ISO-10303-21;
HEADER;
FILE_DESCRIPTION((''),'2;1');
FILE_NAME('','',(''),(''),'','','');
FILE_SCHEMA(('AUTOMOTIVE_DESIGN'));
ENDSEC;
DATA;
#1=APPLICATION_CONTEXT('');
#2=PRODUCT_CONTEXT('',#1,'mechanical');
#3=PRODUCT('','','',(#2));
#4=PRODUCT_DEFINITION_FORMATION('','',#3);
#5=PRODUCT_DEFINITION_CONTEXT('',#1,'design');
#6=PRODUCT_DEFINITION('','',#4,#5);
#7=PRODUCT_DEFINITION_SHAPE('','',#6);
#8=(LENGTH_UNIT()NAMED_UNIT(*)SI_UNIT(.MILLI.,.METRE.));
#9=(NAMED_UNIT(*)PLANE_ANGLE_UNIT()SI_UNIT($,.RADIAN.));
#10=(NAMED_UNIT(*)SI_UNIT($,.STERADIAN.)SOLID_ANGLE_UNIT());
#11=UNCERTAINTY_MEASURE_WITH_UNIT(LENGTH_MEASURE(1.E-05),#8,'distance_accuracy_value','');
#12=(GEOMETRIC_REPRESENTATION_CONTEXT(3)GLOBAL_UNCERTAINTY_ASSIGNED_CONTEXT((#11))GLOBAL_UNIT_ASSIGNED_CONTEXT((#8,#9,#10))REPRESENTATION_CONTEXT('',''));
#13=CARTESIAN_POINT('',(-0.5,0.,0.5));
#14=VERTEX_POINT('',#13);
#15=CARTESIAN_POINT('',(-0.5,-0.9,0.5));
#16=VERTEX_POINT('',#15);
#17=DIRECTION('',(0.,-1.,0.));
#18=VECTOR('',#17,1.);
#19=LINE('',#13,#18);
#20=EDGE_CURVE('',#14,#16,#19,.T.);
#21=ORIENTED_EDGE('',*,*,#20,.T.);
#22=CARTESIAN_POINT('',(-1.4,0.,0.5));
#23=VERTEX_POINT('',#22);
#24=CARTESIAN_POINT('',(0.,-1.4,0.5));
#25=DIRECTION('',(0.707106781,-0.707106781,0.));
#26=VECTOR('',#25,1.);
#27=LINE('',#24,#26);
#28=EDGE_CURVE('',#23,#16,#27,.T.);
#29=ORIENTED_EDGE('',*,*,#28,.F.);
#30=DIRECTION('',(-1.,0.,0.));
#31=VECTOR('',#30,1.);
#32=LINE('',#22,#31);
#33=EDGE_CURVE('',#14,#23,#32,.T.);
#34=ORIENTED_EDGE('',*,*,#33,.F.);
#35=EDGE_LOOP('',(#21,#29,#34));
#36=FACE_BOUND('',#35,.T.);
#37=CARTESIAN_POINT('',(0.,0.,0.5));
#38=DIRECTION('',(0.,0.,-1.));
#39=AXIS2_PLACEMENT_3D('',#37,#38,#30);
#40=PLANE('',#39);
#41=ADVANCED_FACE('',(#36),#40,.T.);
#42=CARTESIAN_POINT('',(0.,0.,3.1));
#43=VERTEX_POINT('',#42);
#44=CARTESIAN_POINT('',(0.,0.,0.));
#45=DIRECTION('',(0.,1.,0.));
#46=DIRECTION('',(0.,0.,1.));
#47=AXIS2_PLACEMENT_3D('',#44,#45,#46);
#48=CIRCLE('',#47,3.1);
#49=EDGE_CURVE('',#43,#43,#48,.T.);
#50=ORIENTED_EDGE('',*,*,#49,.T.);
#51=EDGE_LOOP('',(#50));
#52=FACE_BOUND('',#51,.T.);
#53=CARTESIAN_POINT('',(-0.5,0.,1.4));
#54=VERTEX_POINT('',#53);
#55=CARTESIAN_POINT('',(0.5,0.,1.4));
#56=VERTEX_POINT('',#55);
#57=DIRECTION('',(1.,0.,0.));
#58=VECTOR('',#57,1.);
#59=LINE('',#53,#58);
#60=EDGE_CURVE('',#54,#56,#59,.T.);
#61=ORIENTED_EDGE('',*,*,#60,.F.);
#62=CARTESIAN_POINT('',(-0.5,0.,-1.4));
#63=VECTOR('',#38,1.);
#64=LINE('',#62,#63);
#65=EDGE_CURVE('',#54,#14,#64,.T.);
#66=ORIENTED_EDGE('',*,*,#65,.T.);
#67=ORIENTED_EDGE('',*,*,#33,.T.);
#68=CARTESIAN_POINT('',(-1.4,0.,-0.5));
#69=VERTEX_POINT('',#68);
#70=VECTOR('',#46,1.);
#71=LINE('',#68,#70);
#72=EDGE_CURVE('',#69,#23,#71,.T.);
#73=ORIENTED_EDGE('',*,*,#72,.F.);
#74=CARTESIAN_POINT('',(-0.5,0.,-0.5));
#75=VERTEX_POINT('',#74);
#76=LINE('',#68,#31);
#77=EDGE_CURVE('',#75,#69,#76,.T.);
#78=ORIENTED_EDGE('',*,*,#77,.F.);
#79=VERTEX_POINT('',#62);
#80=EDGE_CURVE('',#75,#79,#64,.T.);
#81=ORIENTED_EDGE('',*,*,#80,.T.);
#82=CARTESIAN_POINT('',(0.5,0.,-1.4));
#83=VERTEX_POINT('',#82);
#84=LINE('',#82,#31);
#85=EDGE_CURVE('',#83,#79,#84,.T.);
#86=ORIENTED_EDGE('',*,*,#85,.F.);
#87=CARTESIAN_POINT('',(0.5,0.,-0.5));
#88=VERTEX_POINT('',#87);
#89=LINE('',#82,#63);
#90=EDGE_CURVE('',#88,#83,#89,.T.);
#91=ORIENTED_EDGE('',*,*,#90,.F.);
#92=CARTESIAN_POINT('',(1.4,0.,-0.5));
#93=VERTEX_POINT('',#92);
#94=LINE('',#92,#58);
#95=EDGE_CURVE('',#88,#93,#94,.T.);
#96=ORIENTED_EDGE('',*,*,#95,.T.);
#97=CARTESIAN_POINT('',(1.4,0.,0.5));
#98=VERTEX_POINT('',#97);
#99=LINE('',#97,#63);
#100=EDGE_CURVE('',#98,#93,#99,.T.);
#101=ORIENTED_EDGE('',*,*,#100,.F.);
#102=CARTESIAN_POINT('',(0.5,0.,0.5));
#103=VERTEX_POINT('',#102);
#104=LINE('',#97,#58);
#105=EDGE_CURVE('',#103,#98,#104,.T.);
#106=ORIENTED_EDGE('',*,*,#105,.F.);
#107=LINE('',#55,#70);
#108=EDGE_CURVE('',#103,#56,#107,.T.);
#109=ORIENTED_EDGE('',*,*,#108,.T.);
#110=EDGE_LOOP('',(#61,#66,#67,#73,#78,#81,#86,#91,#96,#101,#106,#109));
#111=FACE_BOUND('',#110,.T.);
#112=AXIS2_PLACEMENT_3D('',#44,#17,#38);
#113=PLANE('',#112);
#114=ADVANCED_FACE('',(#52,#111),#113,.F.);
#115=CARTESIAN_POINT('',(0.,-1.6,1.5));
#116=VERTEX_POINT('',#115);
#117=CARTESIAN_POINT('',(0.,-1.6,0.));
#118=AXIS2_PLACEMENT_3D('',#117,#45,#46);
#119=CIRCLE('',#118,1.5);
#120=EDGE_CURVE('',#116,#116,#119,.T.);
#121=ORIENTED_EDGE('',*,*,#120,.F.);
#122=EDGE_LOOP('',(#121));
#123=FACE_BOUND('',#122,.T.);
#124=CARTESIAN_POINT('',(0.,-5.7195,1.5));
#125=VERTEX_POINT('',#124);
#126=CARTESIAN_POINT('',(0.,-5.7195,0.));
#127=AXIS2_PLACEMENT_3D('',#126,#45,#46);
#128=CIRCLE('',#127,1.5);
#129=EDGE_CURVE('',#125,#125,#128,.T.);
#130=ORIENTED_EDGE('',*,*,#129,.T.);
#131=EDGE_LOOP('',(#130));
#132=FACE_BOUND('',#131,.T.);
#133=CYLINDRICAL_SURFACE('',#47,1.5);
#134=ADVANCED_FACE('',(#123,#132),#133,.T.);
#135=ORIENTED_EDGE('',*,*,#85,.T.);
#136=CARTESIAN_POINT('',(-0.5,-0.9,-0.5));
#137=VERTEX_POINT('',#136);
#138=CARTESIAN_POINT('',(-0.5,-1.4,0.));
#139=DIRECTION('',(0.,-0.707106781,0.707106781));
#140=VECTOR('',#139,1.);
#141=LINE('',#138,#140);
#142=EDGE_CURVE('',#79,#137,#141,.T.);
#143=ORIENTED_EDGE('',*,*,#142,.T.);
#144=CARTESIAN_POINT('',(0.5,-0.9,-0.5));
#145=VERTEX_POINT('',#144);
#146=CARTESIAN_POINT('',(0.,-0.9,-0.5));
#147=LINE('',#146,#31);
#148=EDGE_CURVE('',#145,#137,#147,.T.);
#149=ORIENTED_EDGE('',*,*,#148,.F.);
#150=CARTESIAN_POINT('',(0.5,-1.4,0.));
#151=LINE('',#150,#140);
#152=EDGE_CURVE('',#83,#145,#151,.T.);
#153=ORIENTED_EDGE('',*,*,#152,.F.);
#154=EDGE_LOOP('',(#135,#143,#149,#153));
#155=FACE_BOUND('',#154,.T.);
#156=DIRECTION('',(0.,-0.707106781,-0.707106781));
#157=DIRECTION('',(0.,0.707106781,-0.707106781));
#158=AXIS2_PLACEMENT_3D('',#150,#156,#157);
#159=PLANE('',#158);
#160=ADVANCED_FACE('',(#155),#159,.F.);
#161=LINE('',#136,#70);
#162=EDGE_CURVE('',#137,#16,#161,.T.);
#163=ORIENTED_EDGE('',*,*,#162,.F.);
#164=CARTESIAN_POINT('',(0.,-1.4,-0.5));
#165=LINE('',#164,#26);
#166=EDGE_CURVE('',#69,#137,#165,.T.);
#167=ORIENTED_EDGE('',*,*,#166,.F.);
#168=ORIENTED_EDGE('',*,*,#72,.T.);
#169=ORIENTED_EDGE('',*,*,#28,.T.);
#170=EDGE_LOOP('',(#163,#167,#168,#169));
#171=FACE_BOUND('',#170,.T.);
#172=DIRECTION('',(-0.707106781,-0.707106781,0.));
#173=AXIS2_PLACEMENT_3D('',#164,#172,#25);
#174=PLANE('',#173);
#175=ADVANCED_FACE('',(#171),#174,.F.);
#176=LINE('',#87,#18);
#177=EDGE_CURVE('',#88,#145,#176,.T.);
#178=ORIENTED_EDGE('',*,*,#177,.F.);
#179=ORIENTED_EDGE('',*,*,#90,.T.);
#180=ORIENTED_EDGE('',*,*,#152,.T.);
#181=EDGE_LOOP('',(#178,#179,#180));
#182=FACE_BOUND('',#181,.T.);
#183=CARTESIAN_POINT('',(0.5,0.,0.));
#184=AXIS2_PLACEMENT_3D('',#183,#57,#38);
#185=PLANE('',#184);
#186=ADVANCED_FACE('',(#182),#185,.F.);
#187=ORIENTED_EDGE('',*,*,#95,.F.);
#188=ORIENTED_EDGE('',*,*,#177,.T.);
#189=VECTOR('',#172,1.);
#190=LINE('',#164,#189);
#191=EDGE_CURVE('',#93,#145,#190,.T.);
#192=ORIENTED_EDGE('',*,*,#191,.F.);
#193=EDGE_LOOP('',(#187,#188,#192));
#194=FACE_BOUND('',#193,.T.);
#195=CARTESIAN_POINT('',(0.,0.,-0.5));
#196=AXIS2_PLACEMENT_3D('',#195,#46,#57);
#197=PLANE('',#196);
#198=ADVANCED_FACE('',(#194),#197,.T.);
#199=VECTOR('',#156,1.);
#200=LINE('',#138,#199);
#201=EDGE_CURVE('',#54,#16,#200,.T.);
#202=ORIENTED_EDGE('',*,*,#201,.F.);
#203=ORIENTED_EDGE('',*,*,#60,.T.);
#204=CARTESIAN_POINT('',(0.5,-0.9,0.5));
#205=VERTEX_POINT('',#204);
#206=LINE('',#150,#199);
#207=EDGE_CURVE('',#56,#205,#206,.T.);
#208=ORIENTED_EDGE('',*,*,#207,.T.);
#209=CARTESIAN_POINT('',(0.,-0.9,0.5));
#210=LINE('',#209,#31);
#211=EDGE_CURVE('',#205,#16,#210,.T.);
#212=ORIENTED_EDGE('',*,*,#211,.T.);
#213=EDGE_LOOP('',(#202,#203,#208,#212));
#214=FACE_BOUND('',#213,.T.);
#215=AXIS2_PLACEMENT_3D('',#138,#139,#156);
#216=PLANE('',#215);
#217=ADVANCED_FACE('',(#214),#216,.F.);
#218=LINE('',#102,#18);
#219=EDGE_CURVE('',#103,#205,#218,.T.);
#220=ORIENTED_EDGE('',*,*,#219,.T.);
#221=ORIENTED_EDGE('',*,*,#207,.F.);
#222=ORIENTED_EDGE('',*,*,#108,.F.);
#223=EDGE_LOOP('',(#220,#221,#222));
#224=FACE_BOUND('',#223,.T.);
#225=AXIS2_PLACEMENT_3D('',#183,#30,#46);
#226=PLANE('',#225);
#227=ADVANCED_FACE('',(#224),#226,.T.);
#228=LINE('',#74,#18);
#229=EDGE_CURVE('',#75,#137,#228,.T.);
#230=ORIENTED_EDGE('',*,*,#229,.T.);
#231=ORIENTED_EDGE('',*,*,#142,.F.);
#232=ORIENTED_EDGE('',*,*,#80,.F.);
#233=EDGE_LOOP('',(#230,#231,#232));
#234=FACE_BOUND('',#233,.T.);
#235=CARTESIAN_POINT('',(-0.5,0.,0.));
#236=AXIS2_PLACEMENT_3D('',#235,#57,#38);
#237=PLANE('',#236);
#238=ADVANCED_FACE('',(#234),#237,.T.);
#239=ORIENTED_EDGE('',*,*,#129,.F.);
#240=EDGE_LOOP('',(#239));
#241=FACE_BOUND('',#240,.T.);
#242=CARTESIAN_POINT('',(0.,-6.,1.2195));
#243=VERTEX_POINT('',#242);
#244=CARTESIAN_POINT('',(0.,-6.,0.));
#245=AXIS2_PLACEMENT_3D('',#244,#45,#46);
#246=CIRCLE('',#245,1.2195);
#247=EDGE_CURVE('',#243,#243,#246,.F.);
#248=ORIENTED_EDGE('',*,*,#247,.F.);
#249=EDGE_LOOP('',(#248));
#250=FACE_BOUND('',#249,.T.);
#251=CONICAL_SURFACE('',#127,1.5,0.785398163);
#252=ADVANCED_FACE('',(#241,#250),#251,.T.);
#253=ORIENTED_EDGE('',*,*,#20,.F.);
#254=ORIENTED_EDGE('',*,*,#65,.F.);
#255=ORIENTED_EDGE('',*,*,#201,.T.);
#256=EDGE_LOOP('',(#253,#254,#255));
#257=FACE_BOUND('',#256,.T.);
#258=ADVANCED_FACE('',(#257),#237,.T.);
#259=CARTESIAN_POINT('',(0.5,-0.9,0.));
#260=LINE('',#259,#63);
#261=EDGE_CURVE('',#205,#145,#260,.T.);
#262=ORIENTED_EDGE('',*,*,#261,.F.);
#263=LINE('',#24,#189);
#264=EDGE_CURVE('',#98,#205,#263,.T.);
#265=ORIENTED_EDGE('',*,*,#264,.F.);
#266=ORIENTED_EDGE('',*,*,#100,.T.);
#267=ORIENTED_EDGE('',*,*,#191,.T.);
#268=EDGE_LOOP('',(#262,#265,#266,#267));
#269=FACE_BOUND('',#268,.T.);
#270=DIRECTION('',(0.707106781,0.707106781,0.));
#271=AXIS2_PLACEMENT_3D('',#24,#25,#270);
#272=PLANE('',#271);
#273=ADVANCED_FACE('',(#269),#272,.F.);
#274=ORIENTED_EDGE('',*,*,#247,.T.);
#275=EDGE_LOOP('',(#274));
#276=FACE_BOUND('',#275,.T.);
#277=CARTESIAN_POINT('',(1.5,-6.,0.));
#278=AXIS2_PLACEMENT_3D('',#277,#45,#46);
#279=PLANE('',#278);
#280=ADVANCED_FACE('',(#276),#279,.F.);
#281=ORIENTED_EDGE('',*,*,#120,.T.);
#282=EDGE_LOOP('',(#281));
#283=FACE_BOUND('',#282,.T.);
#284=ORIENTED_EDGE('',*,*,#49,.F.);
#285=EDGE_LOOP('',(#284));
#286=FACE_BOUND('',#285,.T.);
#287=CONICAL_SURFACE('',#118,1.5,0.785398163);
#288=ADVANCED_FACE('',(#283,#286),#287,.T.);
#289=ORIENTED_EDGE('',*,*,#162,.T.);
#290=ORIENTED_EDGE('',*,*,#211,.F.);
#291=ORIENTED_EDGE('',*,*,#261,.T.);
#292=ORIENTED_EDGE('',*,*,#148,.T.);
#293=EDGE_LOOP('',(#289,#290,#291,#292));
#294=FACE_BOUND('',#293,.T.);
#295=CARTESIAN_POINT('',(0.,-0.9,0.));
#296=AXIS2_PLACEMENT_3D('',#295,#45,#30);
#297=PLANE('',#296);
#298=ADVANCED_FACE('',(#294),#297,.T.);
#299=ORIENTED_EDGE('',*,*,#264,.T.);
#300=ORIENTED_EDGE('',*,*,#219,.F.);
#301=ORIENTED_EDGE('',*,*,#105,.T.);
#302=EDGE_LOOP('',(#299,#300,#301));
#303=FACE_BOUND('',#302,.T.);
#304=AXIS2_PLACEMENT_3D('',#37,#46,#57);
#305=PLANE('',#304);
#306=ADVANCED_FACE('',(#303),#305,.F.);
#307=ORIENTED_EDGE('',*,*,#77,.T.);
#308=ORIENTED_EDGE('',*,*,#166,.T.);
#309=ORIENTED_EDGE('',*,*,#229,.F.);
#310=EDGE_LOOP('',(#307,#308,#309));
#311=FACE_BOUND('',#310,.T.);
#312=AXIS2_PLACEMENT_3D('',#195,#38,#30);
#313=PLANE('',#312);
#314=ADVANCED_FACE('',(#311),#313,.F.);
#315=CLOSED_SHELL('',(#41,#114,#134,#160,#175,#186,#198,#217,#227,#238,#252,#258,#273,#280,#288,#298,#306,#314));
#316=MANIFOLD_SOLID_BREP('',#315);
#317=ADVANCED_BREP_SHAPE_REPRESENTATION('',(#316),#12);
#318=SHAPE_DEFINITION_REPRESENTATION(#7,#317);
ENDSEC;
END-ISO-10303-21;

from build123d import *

# Parameters (mm, degrees)
CHAMFER_1_SIZE           = 0.2805
CUT_EXTRUDE_1_DEPTH      = 0.5
PATTERN_CIRCULAR_1_COUNT = 4
SKETCH_3_W               = 1
SKETCH_3_H               = 1
EXTRUDE_1_DEPTH          = 2


with BuildPart() as part:
    # Sketch 1 → Revolve 1 (revolve)
    with BuildSketch(Plane.XY):
        Polygon((0, 0), (3.1, 0), (1.5, -1.6), (1.5, -6), (0, -6), align=None)
    revolve(axis=Axis((0, 0, 0), (0, -1, 0)))

    # Chamfer 1
    chamfer_1_edges = [part.edges().sort_by_distance(p)[0] for p in [
        (-1.5, -6, 0),
    ]]
    chamfer(chamfer_1_edges, length=CHAMFER_1_SIZE)

    # Sketch 2 → Cut-Extrude 1 (cut, symmetric)
    with BuildSketch(Plane.XY):
        Polygon((0, 0), (0, -1.4), (-1.4, 0), align=None)
    cut_extrude_1 = extrude(amount=CUT_EXTRUDE_1_DEPTH, both=True, mode=Mode.SUBTRACT)

    # Pattern Circular 1: Cut-Extrude 1 ×4 about axis
    pattern_circular_1_axis = Axis((0, 0, 0), (0, 1, 0))
    for i in range(1, PATTERN_CIRCULAR_1_COUNT):
        add(cut_extrude_1.rotate(pattern_circular_1_axis, i * 360 / PATTERN_CIRCULAR_1_COUNT), mode=Mode.SUBTRACT)

    # Sketch 3 → Extrude 1 (add)
    with BuildSketch(Plane(origin=(0, -0.9, 0), x_dir=(1, 0, 0), z_dir=(0, 1, 0))):
        Rectangle(SKETCH_3_W, SKETCH_3_H)
    extrude(amount=-EXTRUDE_1_DEPTH)


solid = part.part
